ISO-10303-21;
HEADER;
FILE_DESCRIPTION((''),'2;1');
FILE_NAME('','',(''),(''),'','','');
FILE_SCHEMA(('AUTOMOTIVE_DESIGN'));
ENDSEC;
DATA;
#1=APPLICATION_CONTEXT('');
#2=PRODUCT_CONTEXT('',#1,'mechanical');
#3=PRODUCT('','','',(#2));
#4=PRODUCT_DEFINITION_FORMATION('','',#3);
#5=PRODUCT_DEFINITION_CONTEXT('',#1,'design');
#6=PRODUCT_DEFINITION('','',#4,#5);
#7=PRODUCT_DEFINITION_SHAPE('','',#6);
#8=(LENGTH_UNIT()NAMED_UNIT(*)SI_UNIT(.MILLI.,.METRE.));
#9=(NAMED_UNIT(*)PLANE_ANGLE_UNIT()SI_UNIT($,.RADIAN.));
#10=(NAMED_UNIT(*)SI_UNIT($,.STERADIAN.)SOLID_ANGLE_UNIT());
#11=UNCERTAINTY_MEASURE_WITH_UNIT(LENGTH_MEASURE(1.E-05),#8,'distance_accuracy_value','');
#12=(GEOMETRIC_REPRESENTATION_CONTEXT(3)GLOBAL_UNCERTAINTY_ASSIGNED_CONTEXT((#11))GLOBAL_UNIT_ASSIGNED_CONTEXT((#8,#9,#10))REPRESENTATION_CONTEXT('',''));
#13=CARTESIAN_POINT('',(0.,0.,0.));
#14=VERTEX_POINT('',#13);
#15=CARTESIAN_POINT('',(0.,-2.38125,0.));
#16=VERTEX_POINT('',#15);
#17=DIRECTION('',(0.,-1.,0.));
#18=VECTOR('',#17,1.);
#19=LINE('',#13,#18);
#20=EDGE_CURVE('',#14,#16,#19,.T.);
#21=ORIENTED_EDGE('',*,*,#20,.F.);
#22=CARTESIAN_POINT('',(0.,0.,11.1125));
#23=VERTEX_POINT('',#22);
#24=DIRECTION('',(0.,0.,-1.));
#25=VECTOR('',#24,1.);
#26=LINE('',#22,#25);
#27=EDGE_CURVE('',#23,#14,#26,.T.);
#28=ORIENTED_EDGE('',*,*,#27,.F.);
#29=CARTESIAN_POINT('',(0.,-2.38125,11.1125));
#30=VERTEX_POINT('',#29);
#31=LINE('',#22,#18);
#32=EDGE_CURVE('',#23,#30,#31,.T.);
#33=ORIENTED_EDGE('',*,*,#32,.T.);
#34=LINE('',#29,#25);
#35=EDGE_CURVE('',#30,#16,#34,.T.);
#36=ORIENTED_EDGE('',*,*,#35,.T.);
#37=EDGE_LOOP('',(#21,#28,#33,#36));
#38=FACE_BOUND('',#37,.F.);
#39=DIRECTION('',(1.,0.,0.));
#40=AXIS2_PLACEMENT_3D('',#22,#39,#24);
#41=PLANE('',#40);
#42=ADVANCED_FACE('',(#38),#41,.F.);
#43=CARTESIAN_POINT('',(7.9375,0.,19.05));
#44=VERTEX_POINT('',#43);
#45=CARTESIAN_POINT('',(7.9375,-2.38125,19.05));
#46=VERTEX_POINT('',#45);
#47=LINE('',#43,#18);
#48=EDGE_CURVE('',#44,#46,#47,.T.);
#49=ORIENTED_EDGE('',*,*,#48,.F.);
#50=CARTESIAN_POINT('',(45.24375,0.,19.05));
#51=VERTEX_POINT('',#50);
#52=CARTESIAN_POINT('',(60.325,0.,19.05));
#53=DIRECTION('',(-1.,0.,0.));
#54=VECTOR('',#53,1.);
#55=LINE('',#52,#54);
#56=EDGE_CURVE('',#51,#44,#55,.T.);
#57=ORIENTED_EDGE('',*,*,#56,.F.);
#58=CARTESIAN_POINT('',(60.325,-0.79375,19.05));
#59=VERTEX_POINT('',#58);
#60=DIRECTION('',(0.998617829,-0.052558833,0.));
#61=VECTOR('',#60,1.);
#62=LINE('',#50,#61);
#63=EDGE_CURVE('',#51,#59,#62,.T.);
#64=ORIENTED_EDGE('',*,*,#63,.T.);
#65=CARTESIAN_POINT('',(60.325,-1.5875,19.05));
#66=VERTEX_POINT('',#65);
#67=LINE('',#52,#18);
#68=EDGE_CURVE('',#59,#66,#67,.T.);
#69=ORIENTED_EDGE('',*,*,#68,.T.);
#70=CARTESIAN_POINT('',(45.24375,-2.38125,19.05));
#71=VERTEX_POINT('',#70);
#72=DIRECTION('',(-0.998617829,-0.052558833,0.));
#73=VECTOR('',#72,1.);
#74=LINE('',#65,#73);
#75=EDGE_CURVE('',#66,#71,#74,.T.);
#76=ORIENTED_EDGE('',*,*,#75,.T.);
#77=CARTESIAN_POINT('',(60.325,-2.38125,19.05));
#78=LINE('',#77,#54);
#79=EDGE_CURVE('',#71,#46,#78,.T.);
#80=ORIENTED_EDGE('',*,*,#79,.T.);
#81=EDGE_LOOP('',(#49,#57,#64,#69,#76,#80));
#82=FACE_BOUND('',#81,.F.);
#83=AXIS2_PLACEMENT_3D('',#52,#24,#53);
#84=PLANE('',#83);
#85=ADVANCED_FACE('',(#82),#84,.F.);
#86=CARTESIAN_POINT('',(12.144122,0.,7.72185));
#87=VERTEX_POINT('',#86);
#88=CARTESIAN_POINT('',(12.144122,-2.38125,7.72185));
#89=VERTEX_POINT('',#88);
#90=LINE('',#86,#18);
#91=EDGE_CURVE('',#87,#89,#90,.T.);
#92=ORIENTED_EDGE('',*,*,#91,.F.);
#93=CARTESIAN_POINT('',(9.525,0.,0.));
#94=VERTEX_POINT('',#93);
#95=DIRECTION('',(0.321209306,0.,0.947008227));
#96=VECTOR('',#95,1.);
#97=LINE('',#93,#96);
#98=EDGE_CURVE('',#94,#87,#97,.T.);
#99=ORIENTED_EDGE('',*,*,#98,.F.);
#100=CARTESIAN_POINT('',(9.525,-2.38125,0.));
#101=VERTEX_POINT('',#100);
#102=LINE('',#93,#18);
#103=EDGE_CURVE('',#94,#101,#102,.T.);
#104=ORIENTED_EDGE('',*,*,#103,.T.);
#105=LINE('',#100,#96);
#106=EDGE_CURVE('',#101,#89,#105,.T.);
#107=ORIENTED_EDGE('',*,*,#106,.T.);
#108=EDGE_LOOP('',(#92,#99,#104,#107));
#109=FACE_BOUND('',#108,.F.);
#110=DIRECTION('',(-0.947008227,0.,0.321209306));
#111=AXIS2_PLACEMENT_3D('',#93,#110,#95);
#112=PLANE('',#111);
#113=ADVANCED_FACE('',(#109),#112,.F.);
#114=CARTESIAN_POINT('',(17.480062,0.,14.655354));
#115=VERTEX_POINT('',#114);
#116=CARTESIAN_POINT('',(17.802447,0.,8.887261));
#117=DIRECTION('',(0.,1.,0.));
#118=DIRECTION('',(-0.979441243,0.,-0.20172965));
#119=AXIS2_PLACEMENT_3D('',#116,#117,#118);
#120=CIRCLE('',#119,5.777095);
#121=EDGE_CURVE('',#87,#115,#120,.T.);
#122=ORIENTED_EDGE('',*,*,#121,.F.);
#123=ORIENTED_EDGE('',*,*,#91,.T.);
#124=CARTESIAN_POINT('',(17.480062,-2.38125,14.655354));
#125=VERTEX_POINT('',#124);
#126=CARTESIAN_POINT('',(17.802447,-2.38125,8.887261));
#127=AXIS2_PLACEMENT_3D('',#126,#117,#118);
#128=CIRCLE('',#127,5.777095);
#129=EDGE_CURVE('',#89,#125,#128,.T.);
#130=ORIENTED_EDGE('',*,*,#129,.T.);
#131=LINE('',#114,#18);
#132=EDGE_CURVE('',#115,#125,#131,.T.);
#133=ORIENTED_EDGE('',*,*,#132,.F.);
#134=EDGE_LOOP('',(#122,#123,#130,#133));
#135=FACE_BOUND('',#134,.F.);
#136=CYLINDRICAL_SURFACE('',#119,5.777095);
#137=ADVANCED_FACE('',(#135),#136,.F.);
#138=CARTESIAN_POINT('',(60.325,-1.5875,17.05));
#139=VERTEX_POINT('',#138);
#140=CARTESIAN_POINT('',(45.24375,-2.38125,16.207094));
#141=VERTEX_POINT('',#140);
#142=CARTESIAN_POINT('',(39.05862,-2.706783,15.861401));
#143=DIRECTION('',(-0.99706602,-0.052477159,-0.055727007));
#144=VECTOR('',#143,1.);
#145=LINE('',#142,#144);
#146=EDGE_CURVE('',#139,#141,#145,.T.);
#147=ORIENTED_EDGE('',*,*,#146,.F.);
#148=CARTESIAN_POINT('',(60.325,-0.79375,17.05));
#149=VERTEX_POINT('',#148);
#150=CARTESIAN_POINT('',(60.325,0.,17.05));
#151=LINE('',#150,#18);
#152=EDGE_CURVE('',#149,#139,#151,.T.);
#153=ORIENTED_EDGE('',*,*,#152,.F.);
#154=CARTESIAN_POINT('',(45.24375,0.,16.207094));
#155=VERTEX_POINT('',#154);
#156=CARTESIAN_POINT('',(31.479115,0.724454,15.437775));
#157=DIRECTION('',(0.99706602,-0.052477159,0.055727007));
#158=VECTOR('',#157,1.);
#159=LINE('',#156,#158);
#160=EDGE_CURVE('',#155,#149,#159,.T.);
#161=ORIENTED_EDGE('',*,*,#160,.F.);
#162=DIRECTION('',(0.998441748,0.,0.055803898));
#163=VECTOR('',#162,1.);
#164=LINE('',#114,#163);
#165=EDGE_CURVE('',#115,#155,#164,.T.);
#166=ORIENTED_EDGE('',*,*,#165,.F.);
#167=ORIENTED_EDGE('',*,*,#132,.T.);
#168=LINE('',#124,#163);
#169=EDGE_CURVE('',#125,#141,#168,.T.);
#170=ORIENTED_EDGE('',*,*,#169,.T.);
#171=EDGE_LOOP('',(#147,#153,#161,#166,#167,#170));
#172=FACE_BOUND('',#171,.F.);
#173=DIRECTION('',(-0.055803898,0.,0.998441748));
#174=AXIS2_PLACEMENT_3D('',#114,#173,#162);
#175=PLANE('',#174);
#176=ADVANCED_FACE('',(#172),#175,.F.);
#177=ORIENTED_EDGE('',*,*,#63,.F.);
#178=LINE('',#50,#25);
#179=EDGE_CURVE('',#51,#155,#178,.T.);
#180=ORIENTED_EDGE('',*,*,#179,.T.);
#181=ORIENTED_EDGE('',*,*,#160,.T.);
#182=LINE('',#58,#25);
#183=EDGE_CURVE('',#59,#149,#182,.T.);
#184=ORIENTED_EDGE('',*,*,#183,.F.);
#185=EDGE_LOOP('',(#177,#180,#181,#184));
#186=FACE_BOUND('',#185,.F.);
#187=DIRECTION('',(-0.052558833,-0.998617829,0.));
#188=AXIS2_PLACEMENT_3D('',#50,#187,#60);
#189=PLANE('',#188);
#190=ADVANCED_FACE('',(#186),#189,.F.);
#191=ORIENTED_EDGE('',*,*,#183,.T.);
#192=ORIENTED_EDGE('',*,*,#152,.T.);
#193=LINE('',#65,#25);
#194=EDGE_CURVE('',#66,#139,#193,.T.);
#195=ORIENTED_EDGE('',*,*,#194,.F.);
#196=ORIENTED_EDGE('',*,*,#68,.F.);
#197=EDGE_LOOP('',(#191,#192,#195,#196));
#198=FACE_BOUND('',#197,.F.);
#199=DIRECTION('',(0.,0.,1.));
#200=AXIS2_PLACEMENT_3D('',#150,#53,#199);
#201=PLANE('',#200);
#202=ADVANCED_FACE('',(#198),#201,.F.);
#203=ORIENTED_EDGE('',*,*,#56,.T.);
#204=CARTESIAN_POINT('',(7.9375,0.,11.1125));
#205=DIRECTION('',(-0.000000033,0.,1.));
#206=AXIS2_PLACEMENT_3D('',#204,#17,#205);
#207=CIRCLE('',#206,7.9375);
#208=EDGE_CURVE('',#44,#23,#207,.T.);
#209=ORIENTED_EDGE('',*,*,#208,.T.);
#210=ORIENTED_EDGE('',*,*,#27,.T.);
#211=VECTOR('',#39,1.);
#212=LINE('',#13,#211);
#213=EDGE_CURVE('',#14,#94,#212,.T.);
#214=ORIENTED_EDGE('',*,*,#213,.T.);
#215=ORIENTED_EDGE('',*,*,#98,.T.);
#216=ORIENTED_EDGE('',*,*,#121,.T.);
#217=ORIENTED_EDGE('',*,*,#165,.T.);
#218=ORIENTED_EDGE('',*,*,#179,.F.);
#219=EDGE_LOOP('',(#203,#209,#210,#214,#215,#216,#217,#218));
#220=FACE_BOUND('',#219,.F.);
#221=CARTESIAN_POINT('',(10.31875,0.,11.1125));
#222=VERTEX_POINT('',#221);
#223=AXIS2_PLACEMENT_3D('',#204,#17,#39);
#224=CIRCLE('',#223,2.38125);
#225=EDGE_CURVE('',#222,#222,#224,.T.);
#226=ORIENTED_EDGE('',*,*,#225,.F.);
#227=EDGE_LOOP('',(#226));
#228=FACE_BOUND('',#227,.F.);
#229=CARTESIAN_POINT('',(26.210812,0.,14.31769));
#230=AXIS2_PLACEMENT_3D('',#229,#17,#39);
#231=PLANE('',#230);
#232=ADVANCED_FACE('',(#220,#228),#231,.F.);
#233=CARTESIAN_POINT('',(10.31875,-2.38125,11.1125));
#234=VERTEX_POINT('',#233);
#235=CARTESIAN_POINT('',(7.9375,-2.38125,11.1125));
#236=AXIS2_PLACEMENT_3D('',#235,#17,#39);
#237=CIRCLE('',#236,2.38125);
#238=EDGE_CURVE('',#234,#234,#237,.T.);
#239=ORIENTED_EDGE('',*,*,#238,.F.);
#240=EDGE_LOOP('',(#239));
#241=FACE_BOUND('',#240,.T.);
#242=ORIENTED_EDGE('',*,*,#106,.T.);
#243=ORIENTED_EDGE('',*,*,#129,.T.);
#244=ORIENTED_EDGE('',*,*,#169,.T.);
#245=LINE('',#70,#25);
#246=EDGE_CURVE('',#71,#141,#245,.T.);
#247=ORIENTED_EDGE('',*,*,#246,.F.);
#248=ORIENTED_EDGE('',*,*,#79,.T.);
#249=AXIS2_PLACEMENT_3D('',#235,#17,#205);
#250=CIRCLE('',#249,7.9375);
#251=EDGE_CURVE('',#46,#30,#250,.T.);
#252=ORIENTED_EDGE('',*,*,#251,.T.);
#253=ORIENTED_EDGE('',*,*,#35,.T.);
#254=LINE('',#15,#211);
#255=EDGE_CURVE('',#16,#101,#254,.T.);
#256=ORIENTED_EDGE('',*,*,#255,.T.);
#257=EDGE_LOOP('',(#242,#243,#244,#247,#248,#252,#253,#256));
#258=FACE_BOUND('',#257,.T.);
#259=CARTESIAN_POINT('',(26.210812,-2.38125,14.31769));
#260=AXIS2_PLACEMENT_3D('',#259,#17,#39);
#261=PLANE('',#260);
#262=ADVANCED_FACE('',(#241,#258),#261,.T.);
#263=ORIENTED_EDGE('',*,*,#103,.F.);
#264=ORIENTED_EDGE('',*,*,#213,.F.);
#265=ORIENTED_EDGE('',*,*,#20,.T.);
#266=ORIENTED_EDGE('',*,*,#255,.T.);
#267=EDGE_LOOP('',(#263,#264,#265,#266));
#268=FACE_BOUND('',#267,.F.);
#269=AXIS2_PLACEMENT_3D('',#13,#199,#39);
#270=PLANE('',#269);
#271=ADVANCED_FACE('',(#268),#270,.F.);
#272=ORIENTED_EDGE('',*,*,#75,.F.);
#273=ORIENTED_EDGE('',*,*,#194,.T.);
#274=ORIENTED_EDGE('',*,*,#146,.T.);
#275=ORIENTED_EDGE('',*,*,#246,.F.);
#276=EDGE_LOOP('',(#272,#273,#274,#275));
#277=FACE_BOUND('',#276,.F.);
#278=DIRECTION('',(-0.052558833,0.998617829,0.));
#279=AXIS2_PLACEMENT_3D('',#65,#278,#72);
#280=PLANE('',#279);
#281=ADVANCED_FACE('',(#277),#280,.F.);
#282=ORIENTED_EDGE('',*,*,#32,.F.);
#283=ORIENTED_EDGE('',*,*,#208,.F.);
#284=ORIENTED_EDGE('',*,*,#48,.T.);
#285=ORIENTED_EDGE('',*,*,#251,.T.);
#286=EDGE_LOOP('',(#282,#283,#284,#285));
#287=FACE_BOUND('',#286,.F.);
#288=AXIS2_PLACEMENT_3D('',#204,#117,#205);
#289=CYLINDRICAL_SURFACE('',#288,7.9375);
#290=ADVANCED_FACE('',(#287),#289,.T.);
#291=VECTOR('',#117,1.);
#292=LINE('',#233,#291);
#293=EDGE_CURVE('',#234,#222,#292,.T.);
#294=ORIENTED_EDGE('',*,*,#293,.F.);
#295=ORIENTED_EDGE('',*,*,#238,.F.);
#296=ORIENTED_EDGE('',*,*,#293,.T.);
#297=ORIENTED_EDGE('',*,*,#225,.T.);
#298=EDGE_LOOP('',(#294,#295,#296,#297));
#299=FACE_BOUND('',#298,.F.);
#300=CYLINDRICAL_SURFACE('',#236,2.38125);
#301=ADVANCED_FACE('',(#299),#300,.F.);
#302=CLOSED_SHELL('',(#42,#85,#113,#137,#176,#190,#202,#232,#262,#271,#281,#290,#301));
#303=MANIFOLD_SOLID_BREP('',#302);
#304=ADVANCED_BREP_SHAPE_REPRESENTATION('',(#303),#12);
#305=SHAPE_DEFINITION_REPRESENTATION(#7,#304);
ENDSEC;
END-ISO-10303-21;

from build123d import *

# Parameters (mm, degrees)
F1_DEPTH = 2.38125
F2_R     = 2.38125
F3_DEPTH = 25.4
F5_DEPTH = 25.4


with BuildPart() as f1:
    # F0 (on Front) → F1 (new body)
    with BuildSketch(Plane.XZ):
        with BuildLine():
            Line((60.325, 19.05), (7.9375, 19.05))
            ThreePointArc((7.9375, 19.05), (2.32484, 16.72516), (0, 11.1125))
            Line((0, 11.1125), (0, 0))
            Line((0, 0), (9.525, 0))
            Line((9.525, 0), (12.144122, 7.72185))
            ThreePointArc((12.144122, 7.72185), (13.224173, 12.410645), (17.480062, 14.655354))
            Line((17.480062, 14.655354), (60.325, 17.05))
            Line((60.325, 17.05), (60.325, 19.05))
        make_face()
    extrude(amount=F1_DEPTH)

    # F2 (on face) → F3 (cut)
    with BuildSketch(Plane.XZ.offset(2.38125)):
        with Locations((7.9375, 11.1125)):
            Circle(F2_R)
    extrude(amount=-F3_DEPTH, mode=Mode.SUBTRACT)

    # F4 (on face) → F5 (cut)
    with BuildSketch(Plane.XY.offset(19.05)):
        Polygon((60.325, 0), (45.24375, 0), (60.325, -0.79375), align=None)
        Polygon((60.325, -2.38125), (60.325, -1.5875), (45.24375, -2.38125), align=None)
    extrude(amount=-F5_DEPTH, mode=Mode.SUBTRACT)


solid = f1.part
